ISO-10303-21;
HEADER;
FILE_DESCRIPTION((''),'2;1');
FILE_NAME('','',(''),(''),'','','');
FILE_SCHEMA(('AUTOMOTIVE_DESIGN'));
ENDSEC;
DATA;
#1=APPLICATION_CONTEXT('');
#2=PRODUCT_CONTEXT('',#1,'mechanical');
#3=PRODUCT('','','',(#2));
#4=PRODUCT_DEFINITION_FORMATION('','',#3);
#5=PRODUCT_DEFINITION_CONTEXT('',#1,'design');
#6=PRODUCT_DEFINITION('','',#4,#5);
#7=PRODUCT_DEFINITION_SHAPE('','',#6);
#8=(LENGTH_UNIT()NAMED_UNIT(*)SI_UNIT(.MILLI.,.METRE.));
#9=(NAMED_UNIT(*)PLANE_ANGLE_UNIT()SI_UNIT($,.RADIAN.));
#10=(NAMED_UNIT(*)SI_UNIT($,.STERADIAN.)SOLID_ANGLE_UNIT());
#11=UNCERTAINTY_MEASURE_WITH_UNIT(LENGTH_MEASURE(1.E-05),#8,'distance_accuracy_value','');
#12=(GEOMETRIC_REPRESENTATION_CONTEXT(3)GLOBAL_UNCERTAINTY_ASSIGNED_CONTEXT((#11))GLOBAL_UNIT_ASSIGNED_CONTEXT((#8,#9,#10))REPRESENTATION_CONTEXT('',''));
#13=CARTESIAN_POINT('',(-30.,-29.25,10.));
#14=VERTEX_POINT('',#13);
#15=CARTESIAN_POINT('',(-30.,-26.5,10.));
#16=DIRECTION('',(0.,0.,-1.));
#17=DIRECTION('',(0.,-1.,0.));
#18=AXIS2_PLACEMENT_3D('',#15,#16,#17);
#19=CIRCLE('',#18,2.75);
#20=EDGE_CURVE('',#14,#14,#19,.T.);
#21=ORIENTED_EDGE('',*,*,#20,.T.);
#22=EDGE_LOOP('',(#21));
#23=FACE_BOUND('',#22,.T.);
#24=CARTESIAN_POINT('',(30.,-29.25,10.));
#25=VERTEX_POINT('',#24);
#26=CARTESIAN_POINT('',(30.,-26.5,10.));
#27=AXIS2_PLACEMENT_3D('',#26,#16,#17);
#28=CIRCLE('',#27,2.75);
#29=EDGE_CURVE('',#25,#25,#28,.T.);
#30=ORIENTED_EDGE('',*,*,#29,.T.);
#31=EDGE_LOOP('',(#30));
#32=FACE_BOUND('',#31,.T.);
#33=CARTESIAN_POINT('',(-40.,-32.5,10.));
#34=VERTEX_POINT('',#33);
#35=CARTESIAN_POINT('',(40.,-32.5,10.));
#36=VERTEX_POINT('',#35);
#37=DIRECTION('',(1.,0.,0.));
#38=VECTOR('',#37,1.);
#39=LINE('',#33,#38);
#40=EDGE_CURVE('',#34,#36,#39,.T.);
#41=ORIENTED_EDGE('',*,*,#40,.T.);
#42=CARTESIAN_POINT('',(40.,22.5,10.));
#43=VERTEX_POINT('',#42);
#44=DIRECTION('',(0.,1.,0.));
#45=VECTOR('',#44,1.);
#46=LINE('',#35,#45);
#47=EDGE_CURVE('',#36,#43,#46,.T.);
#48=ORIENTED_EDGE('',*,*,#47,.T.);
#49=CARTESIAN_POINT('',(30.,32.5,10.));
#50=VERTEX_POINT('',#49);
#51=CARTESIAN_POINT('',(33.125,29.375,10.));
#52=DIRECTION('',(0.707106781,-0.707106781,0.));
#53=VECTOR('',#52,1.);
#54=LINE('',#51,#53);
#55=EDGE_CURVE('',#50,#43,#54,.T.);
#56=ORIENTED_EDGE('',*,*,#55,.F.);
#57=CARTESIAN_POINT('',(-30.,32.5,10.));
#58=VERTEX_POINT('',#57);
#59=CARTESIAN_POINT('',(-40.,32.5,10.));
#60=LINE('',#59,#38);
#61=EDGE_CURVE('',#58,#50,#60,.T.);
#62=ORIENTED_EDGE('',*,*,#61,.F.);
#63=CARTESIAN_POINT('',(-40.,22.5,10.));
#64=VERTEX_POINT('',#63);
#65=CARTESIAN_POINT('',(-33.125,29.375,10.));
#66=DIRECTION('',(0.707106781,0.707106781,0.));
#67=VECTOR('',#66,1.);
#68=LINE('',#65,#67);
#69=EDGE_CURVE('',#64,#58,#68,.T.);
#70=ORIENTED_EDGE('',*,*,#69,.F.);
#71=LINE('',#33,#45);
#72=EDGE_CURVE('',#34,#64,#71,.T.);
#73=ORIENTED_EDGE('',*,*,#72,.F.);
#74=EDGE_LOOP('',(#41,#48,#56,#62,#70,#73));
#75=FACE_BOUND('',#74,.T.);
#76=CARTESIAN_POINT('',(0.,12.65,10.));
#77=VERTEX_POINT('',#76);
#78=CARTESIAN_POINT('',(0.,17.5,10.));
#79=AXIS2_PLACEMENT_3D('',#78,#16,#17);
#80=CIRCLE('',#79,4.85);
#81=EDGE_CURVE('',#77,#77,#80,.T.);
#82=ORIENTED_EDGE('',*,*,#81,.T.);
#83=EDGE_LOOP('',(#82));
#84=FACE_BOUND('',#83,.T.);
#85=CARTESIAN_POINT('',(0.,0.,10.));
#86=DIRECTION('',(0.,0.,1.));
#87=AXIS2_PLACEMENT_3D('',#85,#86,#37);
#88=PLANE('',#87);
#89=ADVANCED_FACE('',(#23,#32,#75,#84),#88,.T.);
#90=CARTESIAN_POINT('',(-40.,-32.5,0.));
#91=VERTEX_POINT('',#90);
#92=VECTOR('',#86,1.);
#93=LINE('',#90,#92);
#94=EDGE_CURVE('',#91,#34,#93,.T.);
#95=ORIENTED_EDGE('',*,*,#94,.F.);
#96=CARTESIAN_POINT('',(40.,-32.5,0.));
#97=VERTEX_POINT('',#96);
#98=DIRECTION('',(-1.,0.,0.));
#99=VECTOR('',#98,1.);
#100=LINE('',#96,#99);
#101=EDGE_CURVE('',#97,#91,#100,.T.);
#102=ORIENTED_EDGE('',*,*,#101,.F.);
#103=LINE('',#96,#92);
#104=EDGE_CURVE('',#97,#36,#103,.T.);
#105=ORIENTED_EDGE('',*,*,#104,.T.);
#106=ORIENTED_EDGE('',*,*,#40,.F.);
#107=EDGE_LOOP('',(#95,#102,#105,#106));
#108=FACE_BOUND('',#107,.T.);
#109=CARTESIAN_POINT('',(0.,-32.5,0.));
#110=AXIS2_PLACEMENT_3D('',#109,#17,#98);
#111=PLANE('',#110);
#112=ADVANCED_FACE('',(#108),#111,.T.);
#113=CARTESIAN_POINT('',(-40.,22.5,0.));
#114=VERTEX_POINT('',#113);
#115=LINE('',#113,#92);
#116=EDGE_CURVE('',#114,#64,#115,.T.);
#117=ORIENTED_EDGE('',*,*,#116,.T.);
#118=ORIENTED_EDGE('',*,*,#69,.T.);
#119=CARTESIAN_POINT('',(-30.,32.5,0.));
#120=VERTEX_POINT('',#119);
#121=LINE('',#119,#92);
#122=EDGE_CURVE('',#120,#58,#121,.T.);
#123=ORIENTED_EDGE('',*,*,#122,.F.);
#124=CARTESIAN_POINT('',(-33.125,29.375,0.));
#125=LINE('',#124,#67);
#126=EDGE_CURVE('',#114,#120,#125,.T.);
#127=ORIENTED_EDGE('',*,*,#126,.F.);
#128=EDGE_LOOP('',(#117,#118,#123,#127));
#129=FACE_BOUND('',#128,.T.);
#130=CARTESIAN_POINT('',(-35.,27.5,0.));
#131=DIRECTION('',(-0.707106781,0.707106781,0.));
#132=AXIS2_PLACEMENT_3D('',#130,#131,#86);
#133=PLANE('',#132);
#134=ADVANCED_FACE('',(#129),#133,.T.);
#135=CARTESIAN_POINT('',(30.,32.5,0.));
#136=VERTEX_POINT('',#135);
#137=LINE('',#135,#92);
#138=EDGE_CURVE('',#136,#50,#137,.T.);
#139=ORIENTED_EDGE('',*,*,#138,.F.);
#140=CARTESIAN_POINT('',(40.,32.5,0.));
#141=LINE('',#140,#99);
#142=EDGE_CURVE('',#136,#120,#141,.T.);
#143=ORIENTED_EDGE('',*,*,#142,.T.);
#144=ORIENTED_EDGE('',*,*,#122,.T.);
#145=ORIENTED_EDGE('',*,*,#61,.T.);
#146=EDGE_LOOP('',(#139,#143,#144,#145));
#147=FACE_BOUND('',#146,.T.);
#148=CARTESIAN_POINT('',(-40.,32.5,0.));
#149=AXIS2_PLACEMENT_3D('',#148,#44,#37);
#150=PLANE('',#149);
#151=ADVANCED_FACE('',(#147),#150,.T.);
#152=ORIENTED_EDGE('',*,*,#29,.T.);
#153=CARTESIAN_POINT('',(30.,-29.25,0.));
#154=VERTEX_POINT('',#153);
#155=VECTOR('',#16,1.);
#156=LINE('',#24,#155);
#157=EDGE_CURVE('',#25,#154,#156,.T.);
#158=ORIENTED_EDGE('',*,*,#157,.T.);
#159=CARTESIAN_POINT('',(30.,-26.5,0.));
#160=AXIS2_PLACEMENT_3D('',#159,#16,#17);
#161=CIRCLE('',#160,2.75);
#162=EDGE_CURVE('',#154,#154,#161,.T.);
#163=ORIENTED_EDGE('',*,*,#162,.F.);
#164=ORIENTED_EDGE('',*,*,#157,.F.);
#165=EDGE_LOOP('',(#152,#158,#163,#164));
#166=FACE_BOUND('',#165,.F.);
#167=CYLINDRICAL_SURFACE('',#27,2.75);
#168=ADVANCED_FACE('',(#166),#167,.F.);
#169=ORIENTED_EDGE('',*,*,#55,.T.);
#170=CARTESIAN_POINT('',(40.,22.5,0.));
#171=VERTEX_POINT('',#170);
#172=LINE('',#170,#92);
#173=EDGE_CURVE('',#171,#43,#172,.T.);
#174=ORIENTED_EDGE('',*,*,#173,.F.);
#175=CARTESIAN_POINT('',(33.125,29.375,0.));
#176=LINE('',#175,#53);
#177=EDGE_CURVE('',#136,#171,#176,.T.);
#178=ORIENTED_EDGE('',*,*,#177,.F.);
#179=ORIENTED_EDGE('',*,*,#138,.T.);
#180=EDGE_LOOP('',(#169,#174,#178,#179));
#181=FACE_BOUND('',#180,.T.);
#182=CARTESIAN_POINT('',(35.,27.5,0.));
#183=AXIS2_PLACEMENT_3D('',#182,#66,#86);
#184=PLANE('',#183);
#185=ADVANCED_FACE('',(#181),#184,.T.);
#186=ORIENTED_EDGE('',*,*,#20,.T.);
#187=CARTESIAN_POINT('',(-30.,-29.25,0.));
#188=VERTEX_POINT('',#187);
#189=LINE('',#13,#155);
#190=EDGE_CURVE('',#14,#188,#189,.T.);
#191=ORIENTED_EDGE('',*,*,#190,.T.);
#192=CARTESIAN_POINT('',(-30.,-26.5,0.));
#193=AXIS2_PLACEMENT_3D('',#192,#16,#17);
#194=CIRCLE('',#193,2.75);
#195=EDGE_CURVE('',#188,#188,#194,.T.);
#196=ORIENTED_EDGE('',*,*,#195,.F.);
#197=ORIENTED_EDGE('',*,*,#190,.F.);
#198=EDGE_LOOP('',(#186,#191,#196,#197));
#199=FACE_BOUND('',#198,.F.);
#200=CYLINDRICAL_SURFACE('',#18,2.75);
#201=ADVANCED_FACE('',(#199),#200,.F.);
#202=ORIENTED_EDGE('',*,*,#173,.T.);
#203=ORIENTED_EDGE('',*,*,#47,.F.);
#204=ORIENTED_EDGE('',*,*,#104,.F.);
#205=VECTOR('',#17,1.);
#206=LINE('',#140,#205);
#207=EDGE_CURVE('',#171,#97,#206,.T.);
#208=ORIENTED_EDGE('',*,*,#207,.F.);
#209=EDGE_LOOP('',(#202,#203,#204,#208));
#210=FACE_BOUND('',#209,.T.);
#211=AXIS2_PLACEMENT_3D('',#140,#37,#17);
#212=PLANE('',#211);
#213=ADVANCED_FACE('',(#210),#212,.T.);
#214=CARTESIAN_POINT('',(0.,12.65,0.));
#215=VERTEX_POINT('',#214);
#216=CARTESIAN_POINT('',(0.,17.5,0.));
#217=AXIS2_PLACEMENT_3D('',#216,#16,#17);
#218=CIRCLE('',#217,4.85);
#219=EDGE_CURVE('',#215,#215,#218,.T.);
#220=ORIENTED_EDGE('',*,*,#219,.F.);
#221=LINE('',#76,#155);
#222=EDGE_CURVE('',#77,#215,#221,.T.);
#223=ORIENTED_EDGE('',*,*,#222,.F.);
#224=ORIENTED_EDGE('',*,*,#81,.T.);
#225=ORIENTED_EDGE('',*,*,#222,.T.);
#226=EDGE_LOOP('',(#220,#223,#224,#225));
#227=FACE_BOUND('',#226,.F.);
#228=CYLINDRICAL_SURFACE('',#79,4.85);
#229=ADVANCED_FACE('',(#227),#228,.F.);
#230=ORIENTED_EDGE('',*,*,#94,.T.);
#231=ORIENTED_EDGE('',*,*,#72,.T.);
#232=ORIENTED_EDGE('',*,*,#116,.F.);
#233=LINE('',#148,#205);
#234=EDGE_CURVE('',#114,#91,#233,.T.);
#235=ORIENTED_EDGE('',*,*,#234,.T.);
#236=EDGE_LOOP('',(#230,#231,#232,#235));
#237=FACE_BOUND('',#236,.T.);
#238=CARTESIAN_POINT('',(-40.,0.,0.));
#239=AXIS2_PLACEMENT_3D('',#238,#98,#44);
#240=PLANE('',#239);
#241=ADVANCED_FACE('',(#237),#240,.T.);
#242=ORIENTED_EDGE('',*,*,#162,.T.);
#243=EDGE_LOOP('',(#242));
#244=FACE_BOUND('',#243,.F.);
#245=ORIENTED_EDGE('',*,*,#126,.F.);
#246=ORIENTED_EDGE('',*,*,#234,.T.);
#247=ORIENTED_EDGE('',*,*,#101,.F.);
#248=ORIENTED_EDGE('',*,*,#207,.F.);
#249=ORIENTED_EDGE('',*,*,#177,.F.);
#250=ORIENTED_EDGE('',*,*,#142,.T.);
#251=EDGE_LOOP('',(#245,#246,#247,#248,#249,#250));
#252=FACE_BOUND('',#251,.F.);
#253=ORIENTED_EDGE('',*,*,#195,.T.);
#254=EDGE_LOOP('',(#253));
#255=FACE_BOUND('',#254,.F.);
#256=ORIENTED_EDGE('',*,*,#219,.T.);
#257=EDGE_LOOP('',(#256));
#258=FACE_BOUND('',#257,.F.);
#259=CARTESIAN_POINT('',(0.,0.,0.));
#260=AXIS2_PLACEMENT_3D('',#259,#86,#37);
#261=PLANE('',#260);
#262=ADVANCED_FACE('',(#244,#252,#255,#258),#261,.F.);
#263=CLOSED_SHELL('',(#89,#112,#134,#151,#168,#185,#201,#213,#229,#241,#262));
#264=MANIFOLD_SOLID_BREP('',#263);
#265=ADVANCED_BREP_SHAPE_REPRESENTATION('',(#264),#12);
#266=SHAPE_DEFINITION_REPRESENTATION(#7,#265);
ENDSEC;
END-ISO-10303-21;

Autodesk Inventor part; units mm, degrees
ref_plane "YZ Plane" through (0, 0, 0) normal (1, 0, 0) x (0, 1, 0)
ref_plane "XZ Plane" through (0, 0, 0) normal (0, 1, 0) x (-1, 0, 0)
ref_plane "XY Plane" through (0, 0, 0) normal (0, 0, 1) x (1, 0, 0)
sketch "Skizze_Grundkörper" plane through (0, 0, 0) normal (0, 0, 1) x (1, 0, 0)
  line L0 (-56, 0) -> (56, 0) projected
  line L1 (0, -45.5) -> (0, 45.5) projected
  line L2 (40, -32.5) -> (-40, -32.5)
  line L3 (-40, -32.5) -> (-40, 32.5)
  line L4 (-40, 32.5) -> (40, 32.5)
  line L5 (40, 32.5) -> (40, -32.5)
  line L6 (40, -32.5) -> (-40, 32.5) construction
  line L7 (-40, -32.5) -> (40, 32.5) construction
  point P0 (0, 0)
  dimension "Länge" = 80
  dimension "Höhe" = 65
extrude "Grundkörper" add sketch "Skizze_Grundkörper" along normal blind 10
sketch "Skizze2" plane through (0, 0, 10) normal (0, 0, 1) x (1, 0, 0)
  line L0 (-40, -32.5) -> (40, -32.5) projected
  line L1 (40, -32.5) -> (40, 32.5) projected
  line L2 (40, 32.5) -> (-40, 32.5) projected
  line L3 (-40, 32.5) -> (-40, -32.5) projected
  line L4 (-56, 0) -> (56, 0) projected
  line L5 (0, -45.5) -> (0, 45.5) projected
  point P0 (0, 0)
  point P1 (0, 17.5)
  dimension "d4" = 50
hole "Bohrung_9,7_mm" at (0, 17.5, 10) direction (0, 0, -1) diameter 9.7 end through all
sketch "Skizze3" plane through (0, 0, 10) normal (0, 0, 1) x (1, 0, 0)
  circle A0 centre (0, 17.5) radius 4.85 projected
  line L0 (-40, -32.5) -> (40, -32.5) projected
  line L1 (40, -32.5) -> (40, 32.5) projected
  line L2 (40, 32.5) -> (-40, 32.5) projected
  line L3 (-40, 32.5) -> (-40, -32.5) projected
  line L4 (-56, 0) -> (56, 0) projected
  line L5 (0, -45.5) -> (0, 45.5) projected
  point P0 (0, 0)
  point P1 (-30, -26.5)
  point P2 (30, -26.5)
  dimension "d12" = 60
  dimension "d13" = 6
hole "Bohrung_5,5_mm" at (-30, -26.5, 10) at (30, -26.5, 10) direction (0, 0, -1) diameter 5.5 end through all
chamfer "Fase_10_mm" distance 10 angle 45 2 edges at (-40, 32.5, 5) (40, 32.5, 5)
properties part number "Werkstück_B" material "Stahl, unlegiert"
